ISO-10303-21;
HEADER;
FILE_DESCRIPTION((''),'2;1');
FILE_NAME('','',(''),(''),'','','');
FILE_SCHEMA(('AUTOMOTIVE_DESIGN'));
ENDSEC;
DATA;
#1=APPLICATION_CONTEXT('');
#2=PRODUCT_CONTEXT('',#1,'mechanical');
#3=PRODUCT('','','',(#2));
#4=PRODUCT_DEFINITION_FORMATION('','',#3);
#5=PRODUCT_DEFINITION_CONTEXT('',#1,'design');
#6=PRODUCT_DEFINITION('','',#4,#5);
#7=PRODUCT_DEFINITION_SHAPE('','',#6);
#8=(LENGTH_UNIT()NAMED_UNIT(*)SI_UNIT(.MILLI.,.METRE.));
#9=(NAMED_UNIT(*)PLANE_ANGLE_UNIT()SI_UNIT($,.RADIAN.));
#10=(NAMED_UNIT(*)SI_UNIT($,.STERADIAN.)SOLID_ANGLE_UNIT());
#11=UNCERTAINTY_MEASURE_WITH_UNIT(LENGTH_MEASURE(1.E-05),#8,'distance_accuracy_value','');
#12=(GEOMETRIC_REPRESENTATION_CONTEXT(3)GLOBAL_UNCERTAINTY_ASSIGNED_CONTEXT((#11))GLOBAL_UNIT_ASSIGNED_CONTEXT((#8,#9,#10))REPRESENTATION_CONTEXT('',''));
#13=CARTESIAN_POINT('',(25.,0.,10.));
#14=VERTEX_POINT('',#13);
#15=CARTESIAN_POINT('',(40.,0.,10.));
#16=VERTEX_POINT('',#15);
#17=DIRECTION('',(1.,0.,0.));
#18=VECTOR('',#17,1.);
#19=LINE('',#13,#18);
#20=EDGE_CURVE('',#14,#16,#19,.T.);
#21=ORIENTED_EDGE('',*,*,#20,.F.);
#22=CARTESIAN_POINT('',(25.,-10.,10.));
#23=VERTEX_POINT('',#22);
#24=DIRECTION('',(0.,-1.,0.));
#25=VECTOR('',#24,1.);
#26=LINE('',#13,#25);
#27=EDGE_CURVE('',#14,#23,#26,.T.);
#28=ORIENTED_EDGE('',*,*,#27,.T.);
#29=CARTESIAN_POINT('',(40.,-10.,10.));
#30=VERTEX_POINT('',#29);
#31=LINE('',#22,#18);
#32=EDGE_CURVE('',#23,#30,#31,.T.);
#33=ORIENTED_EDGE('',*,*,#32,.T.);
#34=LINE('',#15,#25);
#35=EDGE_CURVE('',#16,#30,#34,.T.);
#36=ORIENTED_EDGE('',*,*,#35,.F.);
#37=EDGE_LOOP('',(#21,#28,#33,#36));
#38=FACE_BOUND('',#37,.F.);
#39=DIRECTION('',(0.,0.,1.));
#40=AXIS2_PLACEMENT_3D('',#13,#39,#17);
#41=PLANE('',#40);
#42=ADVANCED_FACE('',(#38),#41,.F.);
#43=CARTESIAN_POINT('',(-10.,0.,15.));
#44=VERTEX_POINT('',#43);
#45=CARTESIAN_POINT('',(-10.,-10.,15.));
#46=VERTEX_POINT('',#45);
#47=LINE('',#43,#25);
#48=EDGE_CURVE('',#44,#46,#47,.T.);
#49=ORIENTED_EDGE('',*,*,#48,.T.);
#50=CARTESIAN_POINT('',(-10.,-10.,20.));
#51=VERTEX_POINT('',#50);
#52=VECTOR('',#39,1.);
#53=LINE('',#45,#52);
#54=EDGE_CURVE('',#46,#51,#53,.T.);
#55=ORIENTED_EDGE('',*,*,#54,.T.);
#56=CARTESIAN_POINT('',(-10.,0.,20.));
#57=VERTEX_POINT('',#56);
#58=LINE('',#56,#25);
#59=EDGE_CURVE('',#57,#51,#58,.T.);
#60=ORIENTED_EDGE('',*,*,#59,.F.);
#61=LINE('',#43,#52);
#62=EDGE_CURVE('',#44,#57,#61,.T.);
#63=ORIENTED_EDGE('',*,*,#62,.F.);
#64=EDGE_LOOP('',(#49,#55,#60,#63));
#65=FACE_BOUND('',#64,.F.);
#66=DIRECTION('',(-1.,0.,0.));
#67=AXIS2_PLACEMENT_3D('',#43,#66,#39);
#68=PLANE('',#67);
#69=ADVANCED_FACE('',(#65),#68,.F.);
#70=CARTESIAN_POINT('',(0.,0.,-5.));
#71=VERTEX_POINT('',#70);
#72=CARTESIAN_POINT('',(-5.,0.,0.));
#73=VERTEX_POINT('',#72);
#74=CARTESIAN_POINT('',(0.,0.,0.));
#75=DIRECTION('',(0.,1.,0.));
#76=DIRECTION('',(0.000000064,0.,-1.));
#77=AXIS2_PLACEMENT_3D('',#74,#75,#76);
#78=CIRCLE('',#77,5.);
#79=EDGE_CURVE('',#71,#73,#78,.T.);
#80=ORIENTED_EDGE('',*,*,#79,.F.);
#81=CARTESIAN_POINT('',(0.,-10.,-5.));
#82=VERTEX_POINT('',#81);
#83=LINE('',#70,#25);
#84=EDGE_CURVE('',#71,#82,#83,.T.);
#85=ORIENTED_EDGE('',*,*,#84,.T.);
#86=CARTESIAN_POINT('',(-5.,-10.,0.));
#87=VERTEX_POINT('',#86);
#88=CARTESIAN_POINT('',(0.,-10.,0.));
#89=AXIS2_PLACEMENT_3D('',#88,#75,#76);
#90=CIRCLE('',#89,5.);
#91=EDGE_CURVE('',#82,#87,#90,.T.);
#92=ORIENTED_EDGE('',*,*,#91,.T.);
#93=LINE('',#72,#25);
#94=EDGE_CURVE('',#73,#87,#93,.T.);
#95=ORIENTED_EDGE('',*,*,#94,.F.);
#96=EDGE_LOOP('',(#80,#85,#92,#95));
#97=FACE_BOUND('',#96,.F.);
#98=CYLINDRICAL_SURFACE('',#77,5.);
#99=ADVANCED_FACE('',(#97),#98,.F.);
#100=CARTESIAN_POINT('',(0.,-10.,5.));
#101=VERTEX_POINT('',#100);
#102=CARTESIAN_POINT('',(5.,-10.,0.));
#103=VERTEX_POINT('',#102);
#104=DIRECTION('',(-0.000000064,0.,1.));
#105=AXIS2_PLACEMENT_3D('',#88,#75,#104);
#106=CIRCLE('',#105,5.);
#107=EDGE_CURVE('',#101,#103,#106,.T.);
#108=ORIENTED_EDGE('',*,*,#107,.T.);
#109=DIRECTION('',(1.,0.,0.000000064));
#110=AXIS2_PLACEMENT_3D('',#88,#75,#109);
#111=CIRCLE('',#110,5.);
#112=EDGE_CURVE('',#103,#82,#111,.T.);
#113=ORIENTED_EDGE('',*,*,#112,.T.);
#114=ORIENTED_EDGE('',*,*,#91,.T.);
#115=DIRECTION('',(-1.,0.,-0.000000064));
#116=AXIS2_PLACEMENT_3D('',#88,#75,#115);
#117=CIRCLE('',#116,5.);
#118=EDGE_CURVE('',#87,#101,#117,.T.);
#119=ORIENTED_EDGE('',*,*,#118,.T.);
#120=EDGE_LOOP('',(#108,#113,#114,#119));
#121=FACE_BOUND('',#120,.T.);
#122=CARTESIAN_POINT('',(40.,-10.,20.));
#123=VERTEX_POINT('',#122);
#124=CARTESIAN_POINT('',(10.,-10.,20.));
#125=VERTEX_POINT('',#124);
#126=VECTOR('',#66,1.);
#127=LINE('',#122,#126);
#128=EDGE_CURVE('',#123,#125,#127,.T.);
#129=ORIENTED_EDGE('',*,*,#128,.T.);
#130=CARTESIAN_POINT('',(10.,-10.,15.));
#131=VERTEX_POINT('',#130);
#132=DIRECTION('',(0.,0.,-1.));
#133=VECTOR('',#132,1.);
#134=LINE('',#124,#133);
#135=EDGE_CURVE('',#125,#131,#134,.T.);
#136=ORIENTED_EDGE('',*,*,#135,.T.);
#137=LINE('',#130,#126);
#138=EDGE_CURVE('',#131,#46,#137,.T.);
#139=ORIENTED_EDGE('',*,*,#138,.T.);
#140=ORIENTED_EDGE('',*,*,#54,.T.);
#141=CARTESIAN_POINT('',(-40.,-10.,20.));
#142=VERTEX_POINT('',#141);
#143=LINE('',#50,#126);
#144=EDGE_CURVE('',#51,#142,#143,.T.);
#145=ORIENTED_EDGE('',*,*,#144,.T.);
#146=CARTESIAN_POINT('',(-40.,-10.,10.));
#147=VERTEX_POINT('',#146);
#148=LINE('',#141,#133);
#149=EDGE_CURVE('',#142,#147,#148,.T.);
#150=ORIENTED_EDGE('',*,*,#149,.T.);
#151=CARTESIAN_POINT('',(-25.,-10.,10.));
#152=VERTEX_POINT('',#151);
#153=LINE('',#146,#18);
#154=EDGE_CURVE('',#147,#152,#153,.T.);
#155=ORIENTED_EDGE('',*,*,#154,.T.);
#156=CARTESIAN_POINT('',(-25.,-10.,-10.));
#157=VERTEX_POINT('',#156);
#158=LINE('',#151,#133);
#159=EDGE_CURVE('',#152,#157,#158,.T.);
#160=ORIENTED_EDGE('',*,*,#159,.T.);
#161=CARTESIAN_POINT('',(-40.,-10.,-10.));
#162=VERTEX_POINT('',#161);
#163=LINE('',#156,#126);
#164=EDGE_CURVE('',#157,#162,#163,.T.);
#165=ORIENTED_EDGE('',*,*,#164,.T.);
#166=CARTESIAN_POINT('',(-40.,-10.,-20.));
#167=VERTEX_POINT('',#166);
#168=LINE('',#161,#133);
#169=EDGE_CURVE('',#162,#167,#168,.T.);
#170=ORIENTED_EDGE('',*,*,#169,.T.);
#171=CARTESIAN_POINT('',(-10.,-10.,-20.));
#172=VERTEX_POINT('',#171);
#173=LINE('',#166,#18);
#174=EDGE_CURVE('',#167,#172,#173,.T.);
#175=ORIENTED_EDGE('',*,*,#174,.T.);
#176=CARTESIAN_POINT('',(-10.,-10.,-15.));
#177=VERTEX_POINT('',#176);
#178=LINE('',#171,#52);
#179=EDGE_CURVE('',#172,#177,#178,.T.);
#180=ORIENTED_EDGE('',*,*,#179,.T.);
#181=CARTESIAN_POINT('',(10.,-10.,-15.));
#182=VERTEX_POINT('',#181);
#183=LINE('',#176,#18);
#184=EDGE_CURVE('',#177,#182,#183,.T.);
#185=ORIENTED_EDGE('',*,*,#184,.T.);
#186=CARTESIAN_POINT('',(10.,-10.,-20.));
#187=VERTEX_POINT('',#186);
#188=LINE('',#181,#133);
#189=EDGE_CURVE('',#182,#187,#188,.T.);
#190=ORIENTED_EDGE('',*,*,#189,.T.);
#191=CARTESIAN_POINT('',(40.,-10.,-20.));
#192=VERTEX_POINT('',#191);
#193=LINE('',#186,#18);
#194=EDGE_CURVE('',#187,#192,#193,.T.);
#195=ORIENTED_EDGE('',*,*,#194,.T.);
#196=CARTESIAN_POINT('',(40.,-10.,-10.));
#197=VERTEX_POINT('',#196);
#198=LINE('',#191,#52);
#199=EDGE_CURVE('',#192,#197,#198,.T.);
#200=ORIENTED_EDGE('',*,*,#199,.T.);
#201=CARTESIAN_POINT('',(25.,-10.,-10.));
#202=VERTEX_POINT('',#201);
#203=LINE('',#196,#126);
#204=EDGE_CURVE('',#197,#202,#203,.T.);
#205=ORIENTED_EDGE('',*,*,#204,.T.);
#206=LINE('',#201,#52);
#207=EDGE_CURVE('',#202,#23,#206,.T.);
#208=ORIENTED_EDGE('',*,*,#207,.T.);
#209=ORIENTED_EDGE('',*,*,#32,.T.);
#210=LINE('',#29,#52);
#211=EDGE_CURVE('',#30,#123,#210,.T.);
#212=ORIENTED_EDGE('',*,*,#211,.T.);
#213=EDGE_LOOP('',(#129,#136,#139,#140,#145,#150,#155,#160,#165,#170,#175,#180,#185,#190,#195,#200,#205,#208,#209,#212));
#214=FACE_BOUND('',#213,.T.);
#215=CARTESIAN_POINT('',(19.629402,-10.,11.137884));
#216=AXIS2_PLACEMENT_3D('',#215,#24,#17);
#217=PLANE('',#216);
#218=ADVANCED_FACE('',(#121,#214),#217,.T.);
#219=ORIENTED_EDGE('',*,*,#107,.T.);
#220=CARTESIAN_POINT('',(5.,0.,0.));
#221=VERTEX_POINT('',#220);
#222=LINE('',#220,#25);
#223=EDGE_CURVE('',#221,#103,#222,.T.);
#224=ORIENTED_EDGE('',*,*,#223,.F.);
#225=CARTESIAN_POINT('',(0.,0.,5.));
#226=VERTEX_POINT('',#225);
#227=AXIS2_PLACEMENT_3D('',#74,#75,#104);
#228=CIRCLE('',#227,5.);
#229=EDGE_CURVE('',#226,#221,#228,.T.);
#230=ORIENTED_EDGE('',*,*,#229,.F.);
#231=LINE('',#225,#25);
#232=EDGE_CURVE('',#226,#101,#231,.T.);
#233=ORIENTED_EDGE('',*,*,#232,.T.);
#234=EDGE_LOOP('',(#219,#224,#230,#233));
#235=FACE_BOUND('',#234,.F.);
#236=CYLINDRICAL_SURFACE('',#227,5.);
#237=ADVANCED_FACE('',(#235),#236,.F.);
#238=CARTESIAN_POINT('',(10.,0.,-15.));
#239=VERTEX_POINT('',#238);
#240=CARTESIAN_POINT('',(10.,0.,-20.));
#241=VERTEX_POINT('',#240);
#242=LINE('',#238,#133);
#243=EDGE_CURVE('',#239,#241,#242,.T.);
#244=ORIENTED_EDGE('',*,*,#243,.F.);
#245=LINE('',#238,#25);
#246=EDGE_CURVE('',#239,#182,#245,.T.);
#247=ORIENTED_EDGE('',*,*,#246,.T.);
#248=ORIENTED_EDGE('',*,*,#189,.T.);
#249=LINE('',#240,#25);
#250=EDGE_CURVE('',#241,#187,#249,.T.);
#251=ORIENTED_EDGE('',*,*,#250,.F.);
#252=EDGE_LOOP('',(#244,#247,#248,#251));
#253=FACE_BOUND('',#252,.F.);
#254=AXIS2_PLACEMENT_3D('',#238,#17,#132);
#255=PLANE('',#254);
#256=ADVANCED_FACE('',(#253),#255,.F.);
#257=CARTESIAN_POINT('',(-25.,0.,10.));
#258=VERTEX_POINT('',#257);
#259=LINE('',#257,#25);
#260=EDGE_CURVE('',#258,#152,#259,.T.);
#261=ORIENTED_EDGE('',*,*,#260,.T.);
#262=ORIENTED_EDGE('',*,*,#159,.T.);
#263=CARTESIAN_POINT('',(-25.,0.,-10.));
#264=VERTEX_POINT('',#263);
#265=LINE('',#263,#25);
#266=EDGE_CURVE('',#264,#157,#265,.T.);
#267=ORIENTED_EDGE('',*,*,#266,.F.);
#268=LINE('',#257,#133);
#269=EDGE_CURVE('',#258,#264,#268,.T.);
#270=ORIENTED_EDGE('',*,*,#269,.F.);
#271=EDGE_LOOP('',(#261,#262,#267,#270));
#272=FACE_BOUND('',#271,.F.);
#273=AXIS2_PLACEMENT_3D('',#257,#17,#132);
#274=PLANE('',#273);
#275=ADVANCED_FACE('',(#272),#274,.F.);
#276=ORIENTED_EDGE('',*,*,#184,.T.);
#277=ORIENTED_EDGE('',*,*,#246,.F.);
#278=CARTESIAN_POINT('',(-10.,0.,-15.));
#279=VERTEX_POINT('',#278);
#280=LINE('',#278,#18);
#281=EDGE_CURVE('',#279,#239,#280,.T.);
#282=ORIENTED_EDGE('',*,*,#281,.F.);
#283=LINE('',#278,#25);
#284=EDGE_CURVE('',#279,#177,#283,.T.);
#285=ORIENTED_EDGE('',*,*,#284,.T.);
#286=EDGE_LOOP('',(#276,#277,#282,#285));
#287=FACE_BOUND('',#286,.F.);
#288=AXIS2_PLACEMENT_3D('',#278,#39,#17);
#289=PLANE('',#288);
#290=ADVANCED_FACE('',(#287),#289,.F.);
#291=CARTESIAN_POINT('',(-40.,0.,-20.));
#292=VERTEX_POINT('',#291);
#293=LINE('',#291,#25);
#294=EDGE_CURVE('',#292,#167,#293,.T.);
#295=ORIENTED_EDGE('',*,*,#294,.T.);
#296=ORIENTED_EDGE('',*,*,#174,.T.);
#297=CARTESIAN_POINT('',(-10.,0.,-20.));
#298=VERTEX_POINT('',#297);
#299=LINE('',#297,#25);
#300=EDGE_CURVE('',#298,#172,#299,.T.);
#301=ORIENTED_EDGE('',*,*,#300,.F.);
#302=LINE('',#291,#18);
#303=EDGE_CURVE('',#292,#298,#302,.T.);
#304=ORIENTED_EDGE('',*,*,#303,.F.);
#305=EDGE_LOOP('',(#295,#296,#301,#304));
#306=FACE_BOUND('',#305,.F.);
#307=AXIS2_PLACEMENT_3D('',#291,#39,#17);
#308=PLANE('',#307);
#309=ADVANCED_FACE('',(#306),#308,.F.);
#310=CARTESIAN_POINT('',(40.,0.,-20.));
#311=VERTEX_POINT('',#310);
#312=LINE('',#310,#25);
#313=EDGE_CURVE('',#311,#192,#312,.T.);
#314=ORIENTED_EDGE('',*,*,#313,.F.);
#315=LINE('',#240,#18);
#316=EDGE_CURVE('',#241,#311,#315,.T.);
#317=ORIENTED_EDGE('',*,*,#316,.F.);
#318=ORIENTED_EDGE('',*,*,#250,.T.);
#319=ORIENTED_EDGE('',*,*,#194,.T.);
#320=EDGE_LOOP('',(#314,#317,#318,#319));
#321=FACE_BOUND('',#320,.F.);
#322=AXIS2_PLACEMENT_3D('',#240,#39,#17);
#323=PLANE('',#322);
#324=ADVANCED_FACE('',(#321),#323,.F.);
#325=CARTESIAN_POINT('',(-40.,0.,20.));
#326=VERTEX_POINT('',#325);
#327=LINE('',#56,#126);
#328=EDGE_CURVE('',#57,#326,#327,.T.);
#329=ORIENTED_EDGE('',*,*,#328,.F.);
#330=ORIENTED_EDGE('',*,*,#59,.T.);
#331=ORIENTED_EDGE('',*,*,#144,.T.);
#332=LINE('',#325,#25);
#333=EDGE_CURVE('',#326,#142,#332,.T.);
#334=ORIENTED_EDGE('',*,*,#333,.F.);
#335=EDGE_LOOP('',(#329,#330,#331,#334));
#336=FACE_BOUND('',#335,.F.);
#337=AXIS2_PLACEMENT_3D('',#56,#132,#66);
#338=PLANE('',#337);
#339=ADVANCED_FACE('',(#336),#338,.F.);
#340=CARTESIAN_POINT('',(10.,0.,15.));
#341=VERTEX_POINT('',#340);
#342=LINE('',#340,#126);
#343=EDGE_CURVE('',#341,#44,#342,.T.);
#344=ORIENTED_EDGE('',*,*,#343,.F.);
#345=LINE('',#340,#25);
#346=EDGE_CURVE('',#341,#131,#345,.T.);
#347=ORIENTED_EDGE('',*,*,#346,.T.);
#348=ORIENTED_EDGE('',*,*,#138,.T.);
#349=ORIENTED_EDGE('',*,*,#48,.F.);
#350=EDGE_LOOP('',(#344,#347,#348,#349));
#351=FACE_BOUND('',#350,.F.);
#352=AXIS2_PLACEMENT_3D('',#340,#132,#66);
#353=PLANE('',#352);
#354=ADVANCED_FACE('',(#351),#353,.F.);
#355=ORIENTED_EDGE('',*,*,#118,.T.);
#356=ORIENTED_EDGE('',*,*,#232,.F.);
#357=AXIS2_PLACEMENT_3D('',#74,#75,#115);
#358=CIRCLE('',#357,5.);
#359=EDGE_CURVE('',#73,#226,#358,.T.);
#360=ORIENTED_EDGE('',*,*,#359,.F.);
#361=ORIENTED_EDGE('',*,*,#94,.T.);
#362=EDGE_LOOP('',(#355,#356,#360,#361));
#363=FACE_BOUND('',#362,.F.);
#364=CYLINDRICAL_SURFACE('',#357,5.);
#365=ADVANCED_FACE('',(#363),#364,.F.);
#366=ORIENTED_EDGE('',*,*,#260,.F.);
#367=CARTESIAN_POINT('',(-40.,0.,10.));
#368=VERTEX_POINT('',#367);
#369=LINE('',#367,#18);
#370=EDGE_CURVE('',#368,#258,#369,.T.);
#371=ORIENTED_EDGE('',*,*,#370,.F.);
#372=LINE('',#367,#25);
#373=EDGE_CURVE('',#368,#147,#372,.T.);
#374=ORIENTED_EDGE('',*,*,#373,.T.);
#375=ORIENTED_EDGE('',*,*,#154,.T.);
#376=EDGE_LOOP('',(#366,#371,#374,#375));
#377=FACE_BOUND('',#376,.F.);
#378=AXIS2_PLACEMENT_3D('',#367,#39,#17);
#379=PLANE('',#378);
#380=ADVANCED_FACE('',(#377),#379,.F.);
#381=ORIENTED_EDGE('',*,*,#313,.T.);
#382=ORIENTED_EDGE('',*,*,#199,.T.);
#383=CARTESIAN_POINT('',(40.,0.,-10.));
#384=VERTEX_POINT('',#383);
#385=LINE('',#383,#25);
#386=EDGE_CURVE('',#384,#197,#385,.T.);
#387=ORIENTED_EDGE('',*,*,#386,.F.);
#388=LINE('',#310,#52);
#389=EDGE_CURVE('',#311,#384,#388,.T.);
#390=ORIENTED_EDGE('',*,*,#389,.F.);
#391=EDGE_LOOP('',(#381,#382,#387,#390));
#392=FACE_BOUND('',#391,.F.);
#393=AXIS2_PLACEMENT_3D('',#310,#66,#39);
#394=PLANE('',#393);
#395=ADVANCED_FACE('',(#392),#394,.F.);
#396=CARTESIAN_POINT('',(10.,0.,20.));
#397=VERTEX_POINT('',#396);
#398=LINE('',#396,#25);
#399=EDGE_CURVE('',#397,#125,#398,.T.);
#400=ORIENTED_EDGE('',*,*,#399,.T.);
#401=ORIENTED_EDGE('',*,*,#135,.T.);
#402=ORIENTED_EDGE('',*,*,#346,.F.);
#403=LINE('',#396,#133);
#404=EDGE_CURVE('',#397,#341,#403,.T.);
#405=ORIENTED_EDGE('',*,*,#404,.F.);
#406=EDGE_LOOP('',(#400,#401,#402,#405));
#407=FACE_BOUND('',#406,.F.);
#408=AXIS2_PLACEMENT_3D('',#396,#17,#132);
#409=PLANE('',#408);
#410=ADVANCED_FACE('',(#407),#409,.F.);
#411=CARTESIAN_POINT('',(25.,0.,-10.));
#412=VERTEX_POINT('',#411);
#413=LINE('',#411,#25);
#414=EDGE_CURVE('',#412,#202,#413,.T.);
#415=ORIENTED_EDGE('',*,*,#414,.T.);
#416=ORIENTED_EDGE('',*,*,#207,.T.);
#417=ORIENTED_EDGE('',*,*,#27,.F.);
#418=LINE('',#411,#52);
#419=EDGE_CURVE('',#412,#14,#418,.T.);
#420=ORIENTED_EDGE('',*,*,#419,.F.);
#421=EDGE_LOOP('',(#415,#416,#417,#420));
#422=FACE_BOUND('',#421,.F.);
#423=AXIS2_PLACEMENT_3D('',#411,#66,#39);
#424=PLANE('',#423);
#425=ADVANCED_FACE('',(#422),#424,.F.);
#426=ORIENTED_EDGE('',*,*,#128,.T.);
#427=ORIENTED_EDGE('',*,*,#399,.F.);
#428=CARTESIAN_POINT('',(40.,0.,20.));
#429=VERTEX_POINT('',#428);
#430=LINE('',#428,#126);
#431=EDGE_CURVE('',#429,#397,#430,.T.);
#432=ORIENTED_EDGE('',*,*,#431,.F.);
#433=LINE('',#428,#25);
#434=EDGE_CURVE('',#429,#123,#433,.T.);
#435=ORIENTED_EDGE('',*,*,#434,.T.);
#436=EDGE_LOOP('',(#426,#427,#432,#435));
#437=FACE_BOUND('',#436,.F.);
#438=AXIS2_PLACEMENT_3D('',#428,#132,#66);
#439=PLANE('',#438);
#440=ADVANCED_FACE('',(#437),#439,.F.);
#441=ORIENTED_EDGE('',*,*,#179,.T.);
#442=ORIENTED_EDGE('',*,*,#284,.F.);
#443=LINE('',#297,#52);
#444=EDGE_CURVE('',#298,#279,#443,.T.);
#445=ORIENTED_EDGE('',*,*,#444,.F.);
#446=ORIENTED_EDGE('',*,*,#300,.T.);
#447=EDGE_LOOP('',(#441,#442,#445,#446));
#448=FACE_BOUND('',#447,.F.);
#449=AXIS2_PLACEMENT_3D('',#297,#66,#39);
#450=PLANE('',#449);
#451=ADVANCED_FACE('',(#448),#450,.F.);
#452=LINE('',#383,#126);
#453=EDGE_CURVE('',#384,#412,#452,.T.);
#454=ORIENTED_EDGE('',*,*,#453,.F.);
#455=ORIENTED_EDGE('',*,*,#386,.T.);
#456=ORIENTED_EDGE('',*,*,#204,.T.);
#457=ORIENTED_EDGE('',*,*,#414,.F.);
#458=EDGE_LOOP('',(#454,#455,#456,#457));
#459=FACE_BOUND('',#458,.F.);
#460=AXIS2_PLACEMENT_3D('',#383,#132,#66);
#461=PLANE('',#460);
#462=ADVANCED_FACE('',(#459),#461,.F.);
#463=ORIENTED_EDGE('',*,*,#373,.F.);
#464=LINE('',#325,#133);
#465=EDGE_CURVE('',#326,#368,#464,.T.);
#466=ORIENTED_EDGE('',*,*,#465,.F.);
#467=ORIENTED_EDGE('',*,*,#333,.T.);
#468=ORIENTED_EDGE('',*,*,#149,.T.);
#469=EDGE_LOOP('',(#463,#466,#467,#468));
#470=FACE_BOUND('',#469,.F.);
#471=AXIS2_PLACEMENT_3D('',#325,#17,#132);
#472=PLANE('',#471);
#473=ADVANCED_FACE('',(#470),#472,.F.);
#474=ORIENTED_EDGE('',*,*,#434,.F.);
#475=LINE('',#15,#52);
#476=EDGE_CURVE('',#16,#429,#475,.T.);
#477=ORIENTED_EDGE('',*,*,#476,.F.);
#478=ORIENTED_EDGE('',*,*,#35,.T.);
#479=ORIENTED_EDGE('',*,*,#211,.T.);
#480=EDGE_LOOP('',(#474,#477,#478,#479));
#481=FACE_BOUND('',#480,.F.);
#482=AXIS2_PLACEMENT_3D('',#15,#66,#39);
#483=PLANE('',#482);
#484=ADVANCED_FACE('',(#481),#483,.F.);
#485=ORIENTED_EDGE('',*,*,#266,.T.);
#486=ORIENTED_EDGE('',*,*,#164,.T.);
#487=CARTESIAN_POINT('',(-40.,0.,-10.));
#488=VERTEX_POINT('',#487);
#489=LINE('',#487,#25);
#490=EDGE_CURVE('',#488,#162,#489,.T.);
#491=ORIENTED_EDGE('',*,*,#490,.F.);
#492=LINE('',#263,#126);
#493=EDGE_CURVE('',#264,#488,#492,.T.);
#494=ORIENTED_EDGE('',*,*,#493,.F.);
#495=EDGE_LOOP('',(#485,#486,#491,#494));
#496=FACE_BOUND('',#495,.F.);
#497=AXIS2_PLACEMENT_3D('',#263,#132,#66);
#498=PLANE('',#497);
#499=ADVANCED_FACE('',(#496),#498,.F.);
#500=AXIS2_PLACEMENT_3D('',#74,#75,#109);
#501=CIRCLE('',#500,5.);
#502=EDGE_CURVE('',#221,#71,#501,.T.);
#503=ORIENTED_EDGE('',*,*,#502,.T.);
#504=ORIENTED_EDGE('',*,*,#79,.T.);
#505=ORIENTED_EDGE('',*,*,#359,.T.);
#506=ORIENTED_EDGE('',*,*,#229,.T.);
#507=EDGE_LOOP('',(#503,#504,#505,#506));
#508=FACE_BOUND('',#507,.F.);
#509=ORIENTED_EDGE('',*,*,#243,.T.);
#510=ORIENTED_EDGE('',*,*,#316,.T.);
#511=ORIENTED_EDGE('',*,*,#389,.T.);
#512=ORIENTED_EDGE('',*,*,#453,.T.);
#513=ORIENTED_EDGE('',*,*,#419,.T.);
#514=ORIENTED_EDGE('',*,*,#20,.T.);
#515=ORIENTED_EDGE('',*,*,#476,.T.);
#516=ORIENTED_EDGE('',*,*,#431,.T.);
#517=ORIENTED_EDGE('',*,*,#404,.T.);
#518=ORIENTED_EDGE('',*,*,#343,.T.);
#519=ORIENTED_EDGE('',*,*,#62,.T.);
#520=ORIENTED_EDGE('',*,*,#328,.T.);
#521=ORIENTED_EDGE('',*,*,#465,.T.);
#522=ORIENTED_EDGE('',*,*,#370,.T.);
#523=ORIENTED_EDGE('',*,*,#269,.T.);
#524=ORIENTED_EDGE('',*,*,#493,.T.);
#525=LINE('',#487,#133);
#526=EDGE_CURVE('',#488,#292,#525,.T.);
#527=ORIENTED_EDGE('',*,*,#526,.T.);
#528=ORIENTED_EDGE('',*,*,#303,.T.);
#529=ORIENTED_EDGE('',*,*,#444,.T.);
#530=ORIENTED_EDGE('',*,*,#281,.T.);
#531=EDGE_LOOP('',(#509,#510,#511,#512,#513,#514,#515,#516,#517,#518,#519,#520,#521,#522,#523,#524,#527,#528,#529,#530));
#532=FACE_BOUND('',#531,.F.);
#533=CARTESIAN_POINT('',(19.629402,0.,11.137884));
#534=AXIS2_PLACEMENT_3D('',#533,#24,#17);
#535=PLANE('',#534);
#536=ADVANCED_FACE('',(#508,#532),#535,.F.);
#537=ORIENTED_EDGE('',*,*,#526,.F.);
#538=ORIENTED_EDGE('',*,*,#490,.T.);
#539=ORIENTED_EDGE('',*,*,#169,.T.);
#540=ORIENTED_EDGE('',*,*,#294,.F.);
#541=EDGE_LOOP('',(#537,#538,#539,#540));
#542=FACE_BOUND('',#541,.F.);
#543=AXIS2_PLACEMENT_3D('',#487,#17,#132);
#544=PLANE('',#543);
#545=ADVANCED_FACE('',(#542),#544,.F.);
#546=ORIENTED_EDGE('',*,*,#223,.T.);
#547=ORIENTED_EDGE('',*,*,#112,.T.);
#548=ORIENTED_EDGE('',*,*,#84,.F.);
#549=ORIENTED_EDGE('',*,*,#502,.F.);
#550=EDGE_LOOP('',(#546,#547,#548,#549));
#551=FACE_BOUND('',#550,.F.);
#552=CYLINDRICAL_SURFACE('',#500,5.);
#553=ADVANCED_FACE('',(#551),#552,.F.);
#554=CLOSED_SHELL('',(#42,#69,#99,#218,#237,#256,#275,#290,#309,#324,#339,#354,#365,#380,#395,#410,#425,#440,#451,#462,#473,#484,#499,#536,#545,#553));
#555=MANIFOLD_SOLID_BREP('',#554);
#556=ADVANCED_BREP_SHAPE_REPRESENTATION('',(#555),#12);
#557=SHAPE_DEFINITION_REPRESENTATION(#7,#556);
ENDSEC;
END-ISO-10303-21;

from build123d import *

# Parameters (mm, degrees)
F1_DEPTH = 10


with BuildPart() as f1:
    # F0 (on Front) → F1 (new body)
    with BuildSketch(Plane.XZ):
        with BuildLine():
            ThreePointArc((0, 5), (3.535534, 3.535534), (5, 0))
            Line((5, 0), (25, 0))
            Line((25, 0), (25, 10))
            Line((25, 10), (40, 10))
            Line((40, 10), (40, 20))
            Line((40, 20), (10, 20))
            Line((10, 20), (10, 15))
            Line((10, 15), (0, 15))
            Line((0, 15), (0, 5))
        make_face()
        with BuildLine():
            Line((25, 0), (5, 0))
            ThreePointArc((5, 0), (3.535534, -3.535534), (0, -5))
            Line((0, -5), (0, -15))
            Line((0, -15), (10, -15))
            Line((10, -15), (10, -20))
            Line((10, -20), (40, -20))
            Line((40, -20), (40, -10))
            Line((40, -10), (25, -10))
            Line((25, -10), (25, 0))
        make_face()
        with BuildLine():
            ThreePointArc((-5, 0), (-3.535534, 3.535534), (0, 5))
            Line((0, 5), (0, 15))
            Line((0, 15), (-10, 15))
            Line((-10, 15), (-10, 20))
            Line((-10, 20), (-40, 20))
            Line((-40, 20), (-40, 10))
            Line((-40, 10), (-25, 10))
            Line((-25, 10), (-25, 0))
            Line((-25, 0), (-25, -10))
            Line((-25, -10), (-40, -10))
            Line((-40, -10), (-40, -20))
            Line((-40, -20), (-10, -20))
            Line((-10, -20), (-10, -15))
            Line((-10, -15), (0, -15))
            Line((0, -15), (0, -5))
            ThreePointArc((0, -5), (-3.535534, -3.535534), (-5, 0))
        make_face()
    extrude(amount=F1_DEPTH)


solid = f1.part
